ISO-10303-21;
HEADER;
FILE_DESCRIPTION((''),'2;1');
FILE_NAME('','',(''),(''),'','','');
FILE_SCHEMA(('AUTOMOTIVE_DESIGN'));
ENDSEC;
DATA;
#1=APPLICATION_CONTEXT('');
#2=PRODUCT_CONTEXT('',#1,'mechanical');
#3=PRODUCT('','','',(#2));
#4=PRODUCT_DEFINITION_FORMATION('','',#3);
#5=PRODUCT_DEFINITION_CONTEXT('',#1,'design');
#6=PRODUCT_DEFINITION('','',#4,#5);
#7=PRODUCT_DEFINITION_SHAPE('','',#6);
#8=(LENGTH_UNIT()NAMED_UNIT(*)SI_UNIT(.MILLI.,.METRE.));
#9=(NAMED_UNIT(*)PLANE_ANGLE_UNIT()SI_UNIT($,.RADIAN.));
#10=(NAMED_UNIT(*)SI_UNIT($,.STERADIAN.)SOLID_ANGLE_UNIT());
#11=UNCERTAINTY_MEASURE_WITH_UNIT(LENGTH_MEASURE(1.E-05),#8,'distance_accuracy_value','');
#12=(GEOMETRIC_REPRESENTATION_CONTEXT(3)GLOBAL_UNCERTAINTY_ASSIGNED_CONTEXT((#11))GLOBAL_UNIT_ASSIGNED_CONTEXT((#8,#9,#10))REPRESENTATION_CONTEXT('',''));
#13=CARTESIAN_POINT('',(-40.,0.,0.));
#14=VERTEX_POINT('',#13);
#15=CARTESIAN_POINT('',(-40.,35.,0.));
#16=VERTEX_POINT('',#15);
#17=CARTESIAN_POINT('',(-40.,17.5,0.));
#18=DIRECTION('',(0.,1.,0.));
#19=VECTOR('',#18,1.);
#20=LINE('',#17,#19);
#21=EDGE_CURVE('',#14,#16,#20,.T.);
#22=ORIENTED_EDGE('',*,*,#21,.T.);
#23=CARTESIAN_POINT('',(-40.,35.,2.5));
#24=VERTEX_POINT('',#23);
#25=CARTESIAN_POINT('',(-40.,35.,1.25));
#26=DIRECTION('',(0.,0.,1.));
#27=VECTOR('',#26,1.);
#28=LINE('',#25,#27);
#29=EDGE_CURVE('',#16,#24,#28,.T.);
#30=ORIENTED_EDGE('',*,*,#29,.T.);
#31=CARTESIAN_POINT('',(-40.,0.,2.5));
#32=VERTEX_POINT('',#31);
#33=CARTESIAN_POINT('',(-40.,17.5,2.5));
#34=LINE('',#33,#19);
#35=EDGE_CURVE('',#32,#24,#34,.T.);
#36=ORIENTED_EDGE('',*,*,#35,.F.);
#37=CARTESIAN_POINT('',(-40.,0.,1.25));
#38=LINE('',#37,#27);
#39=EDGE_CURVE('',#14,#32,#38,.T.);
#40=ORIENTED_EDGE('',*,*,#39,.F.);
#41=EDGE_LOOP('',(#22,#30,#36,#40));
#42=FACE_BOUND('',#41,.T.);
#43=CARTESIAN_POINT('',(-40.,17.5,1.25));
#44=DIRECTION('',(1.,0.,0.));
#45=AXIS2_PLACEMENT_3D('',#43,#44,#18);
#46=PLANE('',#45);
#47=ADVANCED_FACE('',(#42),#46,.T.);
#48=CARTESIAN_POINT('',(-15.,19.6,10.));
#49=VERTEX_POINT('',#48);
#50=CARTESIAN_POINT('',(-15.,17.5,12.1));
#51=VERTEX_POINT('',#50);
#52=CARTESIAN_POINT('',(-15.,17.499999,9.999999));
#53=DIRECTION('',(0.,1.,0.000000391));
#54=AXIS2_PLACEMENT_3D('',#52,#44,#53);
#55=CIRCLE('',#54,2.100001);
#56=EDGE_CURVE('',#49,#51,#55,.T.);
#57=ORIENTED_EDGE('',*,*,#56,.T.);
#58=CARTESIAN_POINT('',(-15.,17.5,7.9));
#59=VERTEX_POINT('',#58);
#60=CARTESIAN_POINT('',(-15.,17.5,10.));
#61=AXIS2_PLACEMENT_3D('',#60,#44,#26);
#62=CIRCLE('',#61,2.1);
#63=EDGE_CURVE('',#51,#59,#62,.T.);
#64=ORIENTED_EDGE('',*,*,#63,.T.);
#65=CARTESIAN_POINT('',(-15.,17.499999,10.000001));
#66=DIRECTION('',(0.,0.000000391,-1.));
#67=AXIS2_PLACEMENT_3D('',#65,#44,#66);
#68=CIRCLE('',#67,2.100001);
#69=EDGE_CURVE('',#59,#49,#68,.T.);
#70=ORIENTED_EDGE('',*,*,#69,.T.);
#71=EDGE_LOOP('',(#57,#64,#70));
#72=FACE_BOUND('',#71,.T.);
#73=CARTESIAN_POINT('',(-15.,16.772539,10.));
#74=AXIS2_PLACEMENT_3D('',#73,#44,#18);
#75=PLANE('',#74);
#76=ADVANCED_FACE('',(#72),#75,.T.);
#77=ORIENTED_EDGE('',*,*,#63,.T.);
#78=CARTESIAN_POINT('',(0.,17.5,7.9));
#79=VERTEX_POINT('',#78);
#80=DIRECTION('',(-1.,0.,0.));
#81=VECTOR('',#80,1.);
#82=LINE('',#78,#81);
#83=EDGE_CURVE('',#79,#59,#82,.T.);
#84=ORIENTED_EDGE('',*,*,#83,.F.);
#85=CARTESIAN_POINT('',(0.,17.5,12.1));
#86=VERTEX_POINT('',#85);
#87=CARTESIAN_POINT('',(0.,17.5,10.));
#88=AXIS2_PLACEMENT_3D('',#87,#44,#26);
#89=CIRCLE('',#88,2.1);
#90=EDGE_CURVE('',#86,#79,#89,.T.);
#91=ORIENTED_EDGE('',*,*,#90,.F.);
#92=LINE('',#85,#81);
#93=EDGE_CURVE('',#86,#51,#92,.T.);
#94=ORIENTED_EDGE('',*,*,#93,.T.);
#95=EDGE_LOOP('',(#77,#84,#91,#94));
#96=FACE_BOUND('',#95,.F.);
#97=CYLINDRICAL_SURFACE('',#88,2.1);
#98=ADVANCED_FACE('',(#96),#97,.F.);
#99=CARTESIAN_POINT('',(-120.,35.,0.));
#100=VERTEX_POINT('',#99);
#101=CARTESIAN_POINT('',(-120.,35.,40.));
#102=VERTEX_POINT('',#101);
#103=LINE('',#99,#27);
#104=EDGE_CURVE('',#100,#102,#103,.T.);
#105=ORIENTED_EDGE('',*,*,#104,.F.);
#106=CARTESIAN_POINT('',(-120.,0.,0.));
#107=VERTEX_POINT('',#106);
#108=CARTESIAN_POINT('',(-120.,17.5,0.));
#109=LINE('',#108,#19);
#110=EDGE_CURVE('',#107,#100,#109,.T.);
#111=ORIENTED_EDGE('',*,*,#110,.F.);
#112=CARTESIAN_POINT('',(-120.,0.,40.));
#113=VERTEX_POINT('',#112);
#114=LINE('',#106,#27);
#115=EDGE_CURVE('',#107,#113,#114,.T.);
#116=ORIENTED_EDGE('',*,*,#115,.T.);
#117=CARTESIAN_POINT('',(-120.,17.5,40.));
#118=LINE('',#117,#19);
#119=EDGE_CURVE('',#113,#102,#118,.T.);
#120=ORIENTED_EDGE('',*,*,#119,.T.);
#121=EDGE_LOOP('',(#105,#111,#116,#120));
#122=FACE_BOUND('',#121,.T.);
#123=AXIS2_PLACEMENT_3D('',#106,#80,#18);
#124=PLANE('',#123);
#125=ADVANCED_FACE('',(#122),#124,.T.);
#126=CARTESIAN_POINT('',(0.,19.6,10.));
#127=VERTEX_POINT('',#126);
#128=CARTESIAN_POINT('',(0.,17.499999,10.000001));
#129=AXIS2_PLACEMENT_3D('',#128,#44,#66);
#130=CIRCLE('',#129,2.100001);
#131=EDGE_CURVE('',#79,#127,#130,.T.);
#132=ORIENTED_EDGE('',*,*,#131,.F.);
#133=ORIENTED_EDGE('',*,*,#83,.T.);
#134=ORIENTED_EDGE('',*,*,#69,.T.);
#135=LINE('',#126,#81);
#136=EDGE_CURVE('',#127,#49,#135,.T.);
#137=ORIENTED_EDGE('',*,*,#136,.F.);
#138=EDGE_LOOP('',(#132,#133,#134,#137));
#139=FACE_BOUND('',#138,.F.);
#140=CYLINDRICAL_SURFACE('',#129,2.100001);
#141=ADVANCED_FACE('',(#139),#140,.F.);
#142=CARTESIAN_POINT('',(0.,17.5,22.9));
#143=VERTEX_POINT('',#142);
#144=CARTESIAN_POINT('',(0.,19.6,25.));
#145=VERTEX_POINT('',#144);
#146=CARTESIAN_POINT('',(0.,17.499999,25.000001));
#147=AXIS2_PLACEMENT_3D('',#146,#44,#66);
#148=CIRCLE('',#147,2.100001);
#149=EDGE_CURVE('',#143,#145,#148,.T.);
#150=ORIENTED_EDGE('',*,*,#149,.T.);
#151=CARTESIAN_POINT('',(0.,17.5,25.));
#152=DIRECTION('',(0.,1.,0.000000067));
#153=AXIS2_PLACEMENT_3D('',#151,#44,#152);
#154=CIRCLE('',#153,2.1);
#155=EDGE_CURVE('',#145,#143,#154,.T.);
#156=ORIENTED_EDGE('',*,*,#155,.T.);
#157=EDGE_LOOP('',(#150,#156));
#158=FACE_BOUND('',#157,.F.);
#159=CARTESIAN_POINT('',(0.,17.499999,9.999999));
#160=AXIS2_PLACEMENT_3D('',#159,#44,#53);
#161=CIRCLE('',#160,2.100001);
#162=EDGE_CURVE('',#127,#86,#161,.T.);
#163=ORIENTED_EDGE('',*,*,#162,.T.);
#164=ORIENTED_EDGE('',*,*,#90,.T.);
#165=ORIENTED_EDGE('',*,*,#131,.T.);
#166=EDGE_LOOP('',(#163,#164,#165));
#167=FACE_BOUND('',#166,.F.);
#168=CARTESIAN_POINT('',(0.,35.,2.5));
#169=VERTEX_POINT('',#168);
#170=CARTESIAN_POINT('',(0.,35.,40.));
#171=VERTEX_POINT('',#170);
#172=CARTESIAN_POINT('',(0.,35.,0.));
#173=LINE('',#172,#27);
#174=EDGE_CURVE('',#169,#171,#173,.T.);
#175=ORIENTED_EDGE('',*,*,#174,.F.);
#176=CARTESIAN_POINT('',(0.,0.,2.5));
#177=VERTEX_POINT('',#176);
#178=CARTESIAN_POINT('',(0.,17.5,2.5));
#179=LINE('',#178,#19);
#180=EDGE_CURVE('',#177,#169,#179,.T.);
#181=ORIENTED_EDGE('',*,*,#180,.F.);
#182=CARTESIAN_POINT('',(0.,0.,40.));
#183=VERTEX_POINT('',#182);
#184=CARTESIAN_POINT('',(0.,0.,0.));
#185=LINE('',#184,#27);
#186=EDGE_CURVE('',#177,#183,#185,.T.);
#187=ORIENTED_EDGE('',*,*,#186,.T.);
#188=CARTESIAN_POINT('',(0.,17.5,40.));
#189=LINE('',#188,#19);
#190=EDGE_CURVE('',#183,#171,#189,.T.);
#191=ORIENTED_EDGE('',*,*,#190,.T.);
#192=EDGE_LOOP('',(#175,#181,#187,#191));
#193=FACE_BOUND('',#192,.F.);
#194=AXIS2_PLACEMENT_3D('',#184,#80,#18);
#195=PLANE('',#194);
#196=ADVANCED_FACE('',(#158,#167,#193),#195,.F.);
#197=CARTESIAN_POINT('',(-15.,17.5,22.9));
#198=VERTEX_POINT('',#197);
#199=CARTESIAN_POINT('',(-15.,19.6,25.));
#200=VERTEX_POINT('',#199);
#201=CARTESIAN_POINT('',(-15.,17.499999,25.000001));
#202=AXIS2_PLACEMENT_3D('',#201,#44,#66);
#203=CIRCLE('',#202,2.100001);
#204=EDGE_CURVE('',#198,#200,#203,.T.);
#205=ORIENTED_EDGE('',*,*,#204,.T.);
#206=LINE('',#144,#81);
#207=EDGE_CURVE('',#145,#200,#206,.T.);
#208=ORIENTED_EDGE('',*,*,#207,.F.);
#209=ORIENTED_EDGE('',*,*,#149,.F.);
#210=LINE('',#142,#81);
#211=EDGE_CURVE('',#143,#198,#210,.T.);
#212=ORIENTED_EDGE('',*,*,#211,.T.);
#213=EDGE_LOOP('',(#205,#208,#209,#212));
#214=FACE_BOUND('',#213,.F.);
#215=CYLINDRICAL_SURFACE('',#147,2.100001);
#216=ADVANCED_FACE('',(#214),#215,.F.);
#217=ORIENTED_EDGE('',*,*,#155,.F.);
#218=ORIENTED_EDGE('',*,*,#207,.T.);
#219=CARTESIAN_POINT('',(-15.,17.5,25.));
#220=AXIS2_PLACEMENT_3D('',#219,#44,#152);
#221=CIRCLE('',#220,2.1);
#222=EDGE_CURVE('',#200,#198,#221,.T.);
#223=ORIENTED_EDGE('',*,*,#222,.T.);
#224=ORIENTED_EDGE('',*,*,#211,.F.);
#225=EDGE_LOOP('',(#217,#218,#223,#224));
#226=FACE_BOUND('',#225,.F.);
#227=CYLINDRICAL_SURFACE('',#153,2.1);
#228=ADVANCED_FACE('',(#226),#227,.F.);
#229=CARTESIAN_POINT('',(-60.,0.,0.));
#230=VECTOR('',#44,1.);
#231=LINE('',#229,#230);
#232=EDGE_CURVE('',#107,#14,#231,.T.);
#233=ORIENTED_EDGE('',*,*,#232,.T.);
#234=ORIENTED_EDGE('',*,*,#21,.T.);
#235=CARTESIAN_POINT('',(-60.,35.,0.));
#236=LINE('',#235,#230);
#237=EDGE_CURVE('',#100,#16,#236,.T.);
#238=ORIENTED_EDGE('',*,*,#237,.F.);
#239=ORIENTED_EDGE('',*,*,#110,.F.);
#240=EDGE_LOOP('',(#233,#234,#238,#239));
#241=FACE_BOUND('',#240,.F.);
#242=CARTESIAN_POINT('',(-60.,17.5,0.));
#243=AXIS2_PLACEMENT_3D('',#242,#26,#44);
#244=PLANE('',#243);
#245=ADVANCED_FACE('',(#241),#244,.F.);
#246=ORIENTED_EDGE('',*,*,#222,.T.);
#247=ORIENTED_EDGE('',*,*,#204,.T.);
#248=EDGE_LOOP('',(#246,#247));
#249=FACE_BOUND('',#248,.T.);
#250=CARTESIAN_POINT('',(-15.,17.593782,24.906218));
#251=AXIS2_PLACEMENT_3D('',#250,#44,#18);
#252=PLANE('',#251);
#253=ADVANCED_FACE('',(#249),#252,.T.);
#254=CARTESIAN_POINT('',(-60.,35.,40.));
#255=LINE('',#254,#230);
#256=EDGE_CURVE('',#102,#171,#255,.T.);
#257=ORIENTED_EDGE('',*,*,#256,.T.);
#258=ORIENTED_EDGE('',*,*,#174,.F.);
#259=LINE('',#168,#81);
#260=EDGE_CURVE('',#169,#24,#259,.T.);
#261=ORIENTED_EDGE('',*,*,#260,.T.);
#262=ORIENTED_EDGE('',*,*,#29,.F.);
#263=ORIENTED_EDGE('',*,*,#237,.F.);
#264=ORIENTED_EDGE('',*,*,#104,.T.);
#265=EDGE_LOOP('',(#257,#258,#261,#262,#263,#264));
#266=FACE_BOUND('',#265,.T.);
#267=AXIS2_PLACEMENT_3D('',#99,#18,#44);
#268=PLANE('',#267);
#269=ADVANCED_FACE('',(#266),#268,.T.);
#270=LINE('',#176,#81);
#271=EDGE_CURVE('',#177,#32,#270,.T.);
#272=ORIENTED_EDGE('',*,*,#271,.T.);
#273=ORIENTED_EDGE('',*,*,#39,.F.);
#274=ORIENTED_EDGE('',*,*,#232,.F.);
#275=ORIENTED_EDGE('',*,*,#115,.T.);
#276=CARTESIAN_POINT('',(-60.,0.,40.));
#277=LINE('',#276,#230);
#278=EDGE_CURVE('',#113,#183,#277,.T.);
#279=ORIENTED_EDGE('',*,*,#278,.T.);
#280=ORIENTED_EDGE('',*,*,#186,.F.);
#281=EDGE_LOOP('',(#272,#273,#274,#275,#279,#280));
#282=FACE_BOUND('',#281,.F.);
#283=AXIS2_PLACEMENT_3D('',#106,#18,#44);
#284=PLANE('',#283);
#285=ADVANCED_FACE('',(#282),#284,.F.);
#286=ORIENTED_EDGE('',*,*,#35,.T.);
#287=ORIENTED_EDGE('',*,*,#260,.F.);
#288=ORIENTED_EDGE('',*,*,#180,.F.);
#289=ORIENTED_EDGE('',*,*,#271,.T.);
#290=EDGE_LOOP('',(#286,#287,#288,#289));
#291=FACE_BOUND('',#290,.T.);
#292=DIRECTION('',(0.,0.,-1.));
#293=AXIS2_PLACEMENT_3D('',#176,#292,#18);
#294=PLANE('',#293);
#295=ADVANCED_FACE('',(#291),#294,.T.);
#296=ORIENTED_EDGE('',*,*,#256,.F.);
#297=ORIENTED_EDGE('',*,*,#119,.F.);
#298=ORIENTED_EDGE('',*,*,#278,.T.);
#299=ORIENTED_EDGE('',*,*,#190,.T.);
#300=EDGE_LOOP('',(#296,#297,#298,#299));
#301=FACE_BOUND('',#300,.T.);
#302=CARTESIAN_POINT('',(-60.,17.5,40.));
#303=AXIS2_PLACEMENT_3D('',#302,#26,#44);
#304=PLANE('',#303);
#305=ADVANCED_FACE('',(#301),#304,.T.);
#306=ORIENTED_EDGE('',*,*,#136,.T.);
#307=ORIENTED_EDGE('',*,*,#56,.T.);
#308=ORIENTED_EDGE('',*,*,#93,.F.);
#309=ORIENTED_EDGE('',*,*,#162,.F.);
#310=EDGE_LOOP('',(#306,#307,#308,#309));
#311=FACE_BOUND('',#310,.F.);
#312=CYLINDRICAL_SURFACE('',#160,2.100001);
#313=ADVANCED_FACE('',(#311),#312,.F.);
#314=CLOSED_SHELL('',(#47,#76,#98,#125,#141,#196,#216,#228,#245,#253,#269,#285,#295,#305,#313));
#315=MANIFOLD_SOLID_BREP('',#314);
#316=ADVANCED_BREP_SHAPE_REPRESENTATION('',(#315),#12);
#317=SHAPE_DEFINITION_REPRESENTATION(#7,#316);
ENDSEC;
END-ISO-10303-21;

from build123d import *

# Parameters (mm, degrees)
F0_W     = 120
F0_H     = 35
F1_DEPTH = 40
F3_DEPTH = 15
F4_W     = 35
F4_H     = 2.5
F5_DEPTH = 40


with BuildPart() as f1:
    # F0 (on Top) → F1 (new body)
    with BuildSketch(Plane.XY):
        with Locations((-60, 17.5)):
            Rectangle(F0_W, F0_H)
    extrude(amount=F1_DEPTH)

    # F2 (on face) → F3 (cut)
    with BuildSketch(Plane.YZ):
        with BuildLine():
            ThreePointArc((17.5, 12.1), (15.4, 10), (17.5, 7.9))
            Line((17.5, 7.9), (17.5, 10))
            Line((17.5, 10), (17.5, 12.1))
        make_face()
        with BuildLine():
            ThreePointArc((19.6, 25), (16.015076, 26.484924), (17.5, 22.9))
            ThreePointArc((17.5, 22.9), (18.984924, 23.515076), (19.6, 25))
        make_face()
        with BuildLine():
            Line((17.5, 10), (17.5, 7.9))
            ThreePointArc((17.5, 7.9), (18.984924, 8.515076), (19.6, 10))
            ThreePointArc((19.6, 10), (18.984924, 11.484924), (17.5, 12.1))
            Line((17.5, 12.1), (17.5, 10))
        make_face()
    extrude(amount=-F3_DEPTH, mode=Mode.SUBTRACT)

    # F4 (on face) → F5 (cut)
    with BuildSketch(Plane.YZ):
        with Locations((17.5, 1.25)):
            Rectangle(F4_W, F4_H)
    extrude(amount=-F5_DEPTH, mode=Mode.SUBTRACT)


solid = f1.part
